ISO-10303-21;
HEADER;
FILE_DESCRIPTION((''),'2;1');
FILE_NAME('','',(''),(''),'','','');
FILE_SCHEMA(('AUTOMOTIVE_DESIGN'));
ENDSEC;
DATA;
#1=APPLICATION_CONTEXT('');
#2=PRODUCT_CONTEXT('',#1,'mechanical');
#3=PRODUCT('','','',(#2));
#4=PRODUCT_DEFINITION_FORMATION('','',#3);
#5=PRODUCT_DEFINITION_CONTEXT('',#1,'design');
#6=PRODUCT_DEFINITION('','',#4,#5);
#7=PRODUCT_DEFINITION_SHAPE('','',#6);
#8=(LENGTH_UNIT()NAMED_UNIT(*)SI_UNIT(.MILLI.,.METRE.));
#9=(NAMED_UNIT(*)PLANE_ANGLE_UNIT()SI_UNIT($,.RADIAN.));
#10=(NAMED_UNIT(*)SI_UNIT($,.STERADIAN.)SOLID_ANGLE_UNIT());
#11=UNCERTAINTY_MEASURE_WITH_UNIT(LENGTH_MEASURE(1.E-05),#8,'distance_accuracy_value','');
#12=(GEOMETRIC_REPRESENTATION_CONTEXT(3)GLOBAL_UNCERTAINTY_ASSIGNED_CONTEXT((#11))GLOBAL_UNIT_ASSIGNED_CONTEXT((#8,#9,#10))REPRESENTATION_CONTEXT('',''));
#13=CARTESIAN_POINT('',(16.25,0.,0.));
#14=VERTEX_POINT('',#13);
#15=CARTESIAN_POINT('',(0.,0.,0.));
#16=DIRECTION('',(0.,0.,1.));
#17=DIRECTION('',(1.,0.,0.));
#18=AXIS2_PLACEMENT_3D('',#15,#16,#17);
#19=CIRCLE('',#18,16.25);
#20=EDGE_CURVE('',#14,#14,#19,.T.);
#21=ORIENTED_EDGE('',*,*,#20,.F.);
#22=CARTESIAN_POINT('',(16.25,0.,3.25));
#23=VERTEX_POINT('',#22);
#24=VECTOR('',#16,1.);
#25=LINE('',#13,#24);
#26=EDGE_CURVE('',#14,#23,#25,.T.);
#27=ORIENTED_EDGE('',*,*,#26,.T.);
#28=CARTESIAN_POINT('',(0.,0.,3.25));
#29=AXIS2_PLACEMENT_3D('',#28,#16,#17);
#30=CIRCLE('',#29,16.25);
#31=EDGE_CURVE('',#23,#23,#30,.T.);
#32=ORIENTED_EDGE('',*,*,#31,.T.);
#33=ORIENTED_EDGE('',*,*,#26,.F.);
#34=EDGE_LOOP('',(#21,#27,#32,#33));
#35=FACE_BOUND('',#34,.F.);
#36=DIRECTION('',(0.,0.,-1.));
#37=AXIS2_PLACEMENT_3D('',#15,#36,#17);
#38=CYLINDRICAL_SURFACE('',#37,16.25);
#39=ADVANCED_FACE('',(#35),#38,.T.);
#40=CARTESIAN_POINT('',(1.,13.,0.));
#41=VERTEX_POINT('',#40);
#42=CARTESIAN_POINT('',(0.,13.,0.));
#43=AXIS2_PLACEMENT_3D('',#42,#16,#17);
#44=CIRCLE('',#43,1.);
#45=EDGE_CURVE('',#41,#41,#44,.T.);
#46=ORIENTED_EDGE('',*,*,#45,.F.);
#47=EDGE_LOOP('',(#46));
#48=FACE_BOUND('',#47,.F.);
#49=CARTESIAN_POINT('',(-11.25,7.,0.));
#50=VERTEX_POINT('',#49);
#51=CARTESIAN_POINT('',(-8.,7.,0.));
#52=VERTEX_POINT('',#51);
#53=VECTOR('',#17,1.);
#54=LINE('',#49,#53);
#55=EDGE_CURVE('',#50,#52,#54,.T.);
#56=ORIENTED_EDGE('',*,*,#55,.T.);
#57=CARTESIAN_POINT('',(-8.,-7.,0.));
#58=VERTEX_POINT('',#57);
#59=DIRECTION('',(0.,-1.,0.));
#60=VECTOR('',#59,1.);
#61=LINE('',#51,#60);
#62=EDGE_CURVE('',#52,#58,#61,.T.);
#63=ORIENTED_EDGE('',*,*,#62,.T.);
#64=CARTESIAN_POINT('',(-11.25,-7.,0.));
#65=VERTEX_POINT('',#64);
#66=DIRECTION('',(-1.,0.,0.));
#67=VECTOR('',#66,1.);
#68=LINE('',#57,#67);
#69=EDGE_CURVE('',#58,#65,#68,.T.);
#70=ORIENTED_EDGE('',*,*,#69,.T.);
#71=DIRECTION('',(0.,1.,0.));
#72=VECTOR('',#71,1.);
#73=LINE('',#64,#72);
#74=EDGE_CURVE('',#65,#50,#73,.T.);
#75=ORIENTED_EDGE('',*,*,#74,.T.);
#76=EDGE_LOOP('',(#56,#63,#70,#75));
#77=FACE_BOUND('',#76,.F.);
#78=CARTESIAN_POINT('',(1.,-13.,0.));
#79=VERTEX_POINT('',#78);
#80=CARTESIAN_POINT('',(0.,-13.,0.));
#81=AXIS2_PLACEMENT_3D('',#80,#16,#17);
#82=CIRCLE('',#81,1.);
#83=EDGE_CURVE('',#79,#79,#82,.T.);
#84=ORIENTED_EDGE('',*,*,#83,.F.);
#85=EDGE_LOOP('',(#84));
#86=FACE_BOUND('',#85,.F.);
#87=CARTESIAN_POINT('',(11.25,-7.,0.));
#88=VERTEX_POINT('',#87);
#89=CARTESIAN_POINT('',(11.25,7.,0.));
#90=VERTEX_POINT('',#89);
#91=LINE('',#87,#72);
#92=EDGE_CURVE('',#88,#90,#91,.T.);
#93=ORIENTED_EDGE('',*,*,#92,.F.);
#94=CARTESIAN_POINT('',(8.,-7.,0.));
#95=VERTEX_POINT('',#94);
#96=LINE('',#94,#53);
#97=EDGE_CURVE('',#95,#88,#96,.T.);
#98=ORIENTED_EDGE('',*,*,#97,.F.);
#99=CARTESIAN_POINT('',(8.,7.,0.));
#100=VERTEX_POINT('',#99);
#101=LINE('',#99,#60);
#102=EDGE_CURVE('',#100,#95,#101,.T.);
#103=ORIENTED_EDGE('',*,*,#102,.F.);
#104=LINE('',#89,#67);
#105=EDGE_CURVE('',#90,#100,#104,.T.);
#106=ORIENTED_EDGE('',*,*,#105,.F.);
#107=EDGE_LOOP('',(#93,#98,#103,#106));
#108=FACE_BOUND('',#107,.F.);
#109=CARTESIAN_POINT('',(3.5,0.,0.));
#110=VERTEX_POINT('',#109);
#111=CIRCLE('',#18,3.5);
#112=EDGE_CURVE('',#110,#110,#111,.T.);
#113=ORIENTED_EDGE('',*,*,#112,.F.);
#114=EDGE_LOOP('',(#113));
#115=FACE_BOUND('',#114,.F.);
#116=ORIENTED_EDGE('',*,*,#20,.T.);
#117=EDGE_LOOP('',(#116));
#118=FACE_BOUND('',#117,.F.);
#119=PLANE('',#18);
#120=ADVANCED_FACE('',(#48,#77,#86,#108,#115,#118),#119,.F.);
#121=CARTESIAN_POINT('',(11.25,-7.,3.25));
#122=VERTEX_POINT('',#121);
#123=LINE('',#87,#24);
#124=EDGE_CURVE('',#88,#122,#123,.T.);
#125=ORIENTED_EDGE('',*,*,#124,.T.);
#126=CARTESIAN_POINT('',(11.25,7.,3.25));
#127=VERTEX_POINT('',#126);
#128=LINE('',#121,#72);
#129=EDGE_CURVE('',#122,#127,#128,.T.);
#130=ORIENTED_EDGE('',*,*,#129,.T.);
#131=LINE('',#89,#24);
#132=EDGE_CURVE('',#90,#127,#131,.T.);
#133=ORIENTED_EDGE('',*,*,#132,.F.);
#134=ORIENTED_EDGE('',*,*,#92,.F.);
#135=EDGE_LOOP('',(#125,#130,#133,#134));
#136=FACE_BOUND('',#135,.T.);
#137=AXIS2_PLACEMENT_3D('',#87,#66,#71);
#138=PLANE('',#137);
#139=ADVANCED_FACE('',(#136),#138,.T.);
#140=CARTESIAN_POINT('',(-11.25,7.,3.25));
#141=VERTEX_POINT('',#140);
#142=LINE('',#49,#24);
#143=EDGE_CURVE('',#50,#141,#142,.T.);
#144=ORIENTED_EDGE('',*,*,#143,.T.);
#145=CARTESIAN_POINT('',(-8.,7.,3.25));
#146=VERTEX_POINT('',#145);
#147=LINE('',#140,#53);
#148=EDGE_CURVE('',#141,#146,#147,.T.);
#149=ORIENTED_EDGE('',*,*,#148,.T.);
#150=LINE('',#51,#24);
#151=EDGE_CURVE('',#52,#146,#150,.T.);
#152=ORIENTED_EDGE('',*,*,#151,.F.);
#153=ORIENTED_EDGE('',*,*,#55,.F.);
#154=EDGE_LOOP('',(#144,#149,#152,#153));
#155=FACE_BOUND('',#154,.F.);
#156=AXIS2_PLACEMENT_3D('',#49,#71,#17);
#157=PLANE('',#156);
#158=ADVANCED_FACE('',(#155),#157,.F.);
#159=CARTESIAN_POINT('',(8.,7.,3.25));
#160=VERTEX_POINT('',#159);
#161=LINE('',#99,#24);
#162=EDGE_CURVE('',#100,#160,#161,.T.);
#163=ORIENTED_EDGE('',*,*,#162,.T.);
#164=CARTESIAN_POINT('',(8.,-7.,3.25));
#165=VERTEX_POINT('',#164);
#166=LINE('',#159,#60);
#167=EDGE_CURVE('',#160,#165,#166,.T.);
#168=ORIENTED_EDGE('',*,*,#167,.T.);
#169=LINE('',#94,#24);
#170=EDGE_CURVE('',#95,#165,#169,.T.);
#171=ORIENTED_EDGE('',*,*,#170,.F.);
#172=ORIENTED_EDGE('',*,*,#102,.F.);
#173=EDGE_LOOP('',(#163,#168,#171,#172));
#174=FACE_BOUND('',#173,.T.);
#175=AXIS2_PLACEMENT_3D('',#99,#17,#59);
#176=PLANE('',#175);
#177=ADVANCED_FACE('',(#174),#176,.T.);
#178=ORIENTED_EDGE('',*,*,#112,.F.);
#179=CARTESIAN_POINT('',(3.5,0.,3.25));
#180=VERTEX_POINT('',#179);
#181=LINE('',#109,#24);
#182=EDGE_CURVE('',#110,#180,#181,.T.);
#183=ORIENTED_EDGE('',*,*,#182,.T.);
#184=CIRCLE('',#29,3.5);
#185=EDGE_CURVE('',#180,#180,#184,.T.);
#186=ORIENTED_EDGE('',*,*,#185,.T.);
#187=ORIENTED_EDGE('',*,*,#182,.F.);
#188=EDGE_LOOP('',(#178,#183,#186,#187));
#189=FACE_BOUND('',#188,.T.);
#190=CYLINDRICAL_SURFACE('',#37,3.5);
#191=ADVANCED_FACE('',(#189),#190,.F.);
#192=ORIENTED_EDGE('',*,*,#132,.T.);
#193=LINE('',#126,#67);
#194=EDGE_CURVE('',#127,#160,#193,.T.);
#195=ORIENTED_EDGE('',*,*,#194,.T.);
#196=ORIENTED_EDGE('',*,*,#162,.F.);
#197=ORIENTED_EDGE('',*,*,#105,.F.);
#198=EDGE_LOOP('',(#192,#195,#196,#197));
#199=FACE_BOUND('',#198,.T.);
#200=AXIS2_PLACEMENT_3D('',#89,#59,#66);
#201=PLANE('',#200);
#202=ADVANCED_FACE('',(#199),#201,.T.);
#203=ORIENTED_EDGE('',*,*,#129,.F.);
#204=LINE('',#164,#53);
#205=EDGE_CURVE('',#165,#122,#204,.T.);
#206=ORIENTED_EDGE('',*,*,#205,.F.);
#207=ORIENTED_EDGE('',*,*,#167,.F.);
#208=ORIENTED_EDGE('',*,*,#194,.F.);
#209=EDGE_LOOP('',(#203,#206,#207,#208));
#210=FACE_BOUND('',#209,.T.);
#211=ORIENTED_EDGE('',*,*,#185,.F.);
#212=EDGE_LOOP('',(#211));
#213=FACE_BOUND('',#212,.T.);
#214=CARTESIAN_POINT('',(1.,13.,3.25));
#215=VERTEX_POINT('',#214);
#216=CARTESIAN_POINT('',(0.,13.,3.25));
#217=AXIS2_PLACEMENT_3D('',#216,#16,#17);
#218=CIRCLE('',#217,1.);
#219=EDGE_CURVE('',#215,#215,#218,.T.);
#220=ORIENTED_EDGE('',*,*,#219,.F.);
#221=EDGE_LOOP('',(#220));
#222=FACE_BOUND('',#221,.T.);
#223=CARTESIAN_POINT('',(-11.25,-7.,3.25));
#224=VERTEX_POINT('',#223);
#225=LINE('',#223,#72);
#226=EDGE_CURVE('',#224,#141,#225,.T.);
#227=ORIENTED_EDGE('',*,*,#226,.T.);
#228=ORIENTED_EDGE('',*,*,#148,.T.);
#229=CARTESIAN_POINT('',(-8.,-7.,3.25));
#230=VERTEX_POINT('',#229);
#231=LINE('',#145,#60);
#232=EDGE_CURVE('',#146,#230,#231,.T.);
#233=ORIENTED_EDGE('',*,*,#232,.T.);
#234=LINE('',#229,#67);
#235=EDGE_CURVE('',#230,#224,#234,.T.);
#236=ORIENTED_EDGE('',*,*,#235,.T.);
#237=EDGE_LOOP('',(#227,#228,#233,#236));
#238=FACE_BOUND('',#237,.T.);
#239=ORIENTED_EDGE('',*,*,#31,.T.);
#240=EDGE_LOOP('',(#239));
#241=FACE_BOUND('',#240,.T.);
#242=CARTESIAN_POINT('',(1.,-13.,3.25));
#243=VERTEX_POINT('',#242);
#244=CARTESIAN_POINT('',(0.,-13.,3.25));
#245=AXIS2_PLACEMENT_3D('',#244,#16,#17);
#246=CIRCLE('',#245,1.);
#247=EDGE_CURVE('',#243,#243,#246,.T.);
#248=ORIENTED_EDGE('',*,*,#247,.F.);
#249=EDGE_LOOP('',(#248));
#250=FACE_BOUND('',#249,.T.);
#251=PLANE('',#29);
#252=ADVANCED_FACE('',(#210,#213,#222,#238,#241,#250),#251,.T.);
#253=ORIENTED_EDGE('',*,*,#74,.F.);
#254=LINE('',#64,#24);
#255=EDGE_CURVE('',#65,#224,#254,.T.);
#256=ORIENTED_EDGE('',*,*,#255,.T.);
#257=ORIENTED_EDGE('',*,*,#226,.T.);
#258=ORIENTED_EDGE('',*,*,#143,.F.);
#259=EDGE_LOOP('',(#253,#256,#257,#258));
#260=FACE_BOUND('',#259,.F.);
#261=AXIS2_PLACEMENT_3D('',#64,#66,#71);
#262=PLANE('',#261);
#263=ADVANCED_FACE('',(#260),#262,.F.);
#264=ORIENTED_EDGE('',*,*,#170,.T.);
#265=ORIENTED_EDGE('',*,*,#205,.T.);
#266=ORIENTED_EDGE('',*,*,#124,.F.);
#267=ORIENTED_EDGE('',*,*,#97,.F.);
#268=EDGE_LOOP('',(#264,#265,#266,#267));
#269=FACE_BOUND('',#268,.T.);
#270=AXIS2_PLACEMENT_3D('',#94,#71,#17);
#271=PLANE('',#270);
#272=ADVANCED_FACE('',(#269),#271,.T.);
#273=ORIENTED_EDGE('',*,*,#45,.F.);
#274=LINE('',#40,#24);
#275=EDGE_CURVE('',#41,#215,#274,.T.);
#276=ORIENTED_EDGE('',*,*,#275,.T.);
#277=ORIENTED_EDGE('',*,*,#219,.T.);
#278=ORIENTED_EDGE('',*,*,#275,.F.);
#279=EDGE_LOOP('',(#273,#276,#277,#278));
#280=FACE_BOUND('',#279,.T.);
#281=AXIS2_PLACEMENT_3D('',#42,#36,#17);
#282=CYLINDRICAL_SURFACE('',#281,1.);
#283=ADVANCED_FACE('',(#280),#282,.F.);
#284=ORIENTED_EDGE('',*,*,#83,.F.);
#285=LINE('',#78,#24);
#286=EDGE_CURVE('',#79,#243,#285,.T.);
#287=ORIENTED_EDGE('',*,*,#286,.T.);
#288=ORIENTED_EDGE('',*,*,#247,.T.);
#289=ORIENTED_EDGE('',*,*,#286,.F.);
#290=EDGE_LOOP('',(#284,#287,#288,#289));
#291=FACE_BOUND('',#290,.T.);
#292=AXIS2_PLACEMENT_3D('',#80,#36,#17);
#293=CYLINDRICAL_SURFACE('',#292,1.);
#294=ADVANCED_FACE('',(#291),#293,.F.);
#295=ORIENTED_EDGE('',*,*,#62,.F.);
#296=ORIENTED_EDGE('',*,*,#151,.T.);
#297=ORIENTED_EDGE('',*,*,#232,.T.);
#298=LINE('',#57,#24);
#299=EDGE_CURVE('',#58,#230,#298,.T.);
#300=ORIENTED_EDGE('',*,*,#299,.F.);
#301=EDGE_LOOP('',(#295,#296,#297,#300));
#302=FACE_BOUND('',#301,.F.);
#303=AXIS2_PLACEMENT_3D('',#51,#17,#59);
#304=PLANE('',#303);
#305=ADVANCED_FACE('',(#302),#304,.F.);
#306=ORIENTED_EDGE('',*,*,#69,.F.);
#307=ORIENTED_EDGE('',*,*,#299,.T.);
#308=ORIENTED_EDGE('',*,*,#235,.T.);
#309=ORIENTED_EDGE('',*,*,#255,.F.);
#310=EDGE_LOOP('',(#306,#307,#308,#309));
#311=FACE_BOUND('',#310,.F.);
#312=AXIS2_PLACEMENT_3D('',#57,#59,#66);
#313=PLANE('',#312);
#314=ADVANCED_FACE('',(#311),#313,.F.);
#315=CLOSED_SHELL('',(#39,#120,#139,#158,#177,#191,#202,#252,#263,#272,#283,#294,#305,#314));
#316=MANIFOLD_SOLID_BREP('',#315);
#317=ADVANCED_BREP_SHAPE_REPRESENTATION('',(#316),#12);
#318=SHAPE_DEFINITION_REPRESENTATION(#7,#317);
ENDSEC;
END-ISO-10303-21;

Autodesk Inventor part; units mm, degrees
ref_plane "YZ Plane" through (0, 0, 0) normal (1, 0, 0) x (0, 1, 0)
ref_plane "XZ Plane" through (0, 0, 0) normal (0, 1, 0) x (-1, 0, 0)
ref_plane "XY Plane" through (0, 0, 0) normal (0, 0, 1) x (1, 0, 0)
sketch "Block1" plane through (0, 0, 0) normal (0, 0, 1) x (1, 0, 0)
  circle A0 centre (74.029, 24.2723) radius 1
  line L0 (49.279, 30.4723) -> (71.779, 30.4723)
  line L1 (71.779, 30.4723) -> (71.779, 18.0723)
  line L2 (71.779, 18.0723) -> (49.279, 18.0723)
  line L3 (49.279, 18.0723) -> (49.279, 30.4723)
  line L4 (49.279, 30.4723) -> (44.779, 30.4723)
  line L5 (44.779, 30.4723) -> (44.779, 18.0723)
  line L6 (44.779, 18.0723) -> (49.279, 18.0723)
  line L7 (49.279, 18.0723) -> (49.279, 30.4723)
  line L8 (71.779, 30.4723) -> (76.279, 30.4723)
  line L9 (76.279, 30.4723) -> (76.279, 18.0723)
  line L10 (76.279, 18.0723) -> (71.779, 18.0723)
  line L11 (71.779, 18.0723) -> (71.779, 30.4723)
  line L12 (44.779, 24.2723) -> (76.279, 24.2723) construction
  line L13 (47.029, 30.4723) -> (47.029, 18.0723) construction
  circle A1 centre (47.029, 24.2723) radius 1
  line L14 (74.029, 30.4723) -> (74.029, 18.0723) construction
  point P0 (60.979, 24.0984)
  dimension "d7" = 22.5
  dimension "d8" = 12.4
  dimension "d9" = 4.5
  dimension "d10" = 4.5
  dimension "d11" = 2
  dimension "d12" = 2
sketch "Sketch1" plane through (0, 0, 0) normal (0, 0, 1) x (1, 0, 0)
  line L0 (-92.7646, -8.503) -> (-89.7646, -8.503)
  line L1 (-89.7646, -8.503) -> (-89.7646, -11.753)
  line L2 (-89.7646, -11.753) -> (-92.7646, -11.753)
  line L3 (-92.7646, -11.753) -> (-92.7646, -8.503)
  line L4 (-92.7646, -21.6527) -> (-89.7646, -21.6527)
  line L5 (-89.7646, -21.6527) -> (-89.7646, -21.7527)
  line L6 (-89.7646, -21.7527) -> (-92.7646, -21.7527)
  line L7 (-92.7646, -21.7527) -> (-92.7646, -21.6527)
  circle A0 centre (0, 0) radius 16.25
  circle A1 centre (0, 13) radius 1
  line L8 (-16.25, 0) -> (16.25, 0) construction
  line L9 (0, 16.25) -> (0, -16.25) construction
  circle A2 centre (0, -13) radius 1
  circle A3 centre (0, 0) radius 3.5
  line L10 (-11.25, 7) -> (-8, 7)
  line L11 (-8, 7) -> (-8, -7)
  line L12 (-8, -7) -> (-11.25, -7)
  line L13 (-11.25, -7) -> (-11.25, 7)
  line L14 (-11.25, 0) -> (-8, 0) construction
  line L15 (11.25, 7) -> (8, 7)
  line L16 (8, 7) -> (8, -7)
  line L17 (8, -7) -> (11.25, -7)
  line L18 (11.25, -7) -> (11.25, 7)
  line L19 (11.25, 0) -> (8, 0) construction
  dimension "d0" = 3
  dimension "mat" = 3.25
  dimension "d2" = 3
  dimension "d3" = 0.1
  dimension "d23" = 32.5
  dimension "d24" = 2
  dimension "d25" = 12
  dimension "d28" = 7
  dimension "d29" = 3.25
  dimension "d30" = 14
  dimension "d31" = 5
extrude "Extrusion3" add sketch "Sketch1" along normal blind 3.25 contours A0
equation "\"d29\" = mat"
equation "\"d32\" = mat"
properties part number "arm-servo"
